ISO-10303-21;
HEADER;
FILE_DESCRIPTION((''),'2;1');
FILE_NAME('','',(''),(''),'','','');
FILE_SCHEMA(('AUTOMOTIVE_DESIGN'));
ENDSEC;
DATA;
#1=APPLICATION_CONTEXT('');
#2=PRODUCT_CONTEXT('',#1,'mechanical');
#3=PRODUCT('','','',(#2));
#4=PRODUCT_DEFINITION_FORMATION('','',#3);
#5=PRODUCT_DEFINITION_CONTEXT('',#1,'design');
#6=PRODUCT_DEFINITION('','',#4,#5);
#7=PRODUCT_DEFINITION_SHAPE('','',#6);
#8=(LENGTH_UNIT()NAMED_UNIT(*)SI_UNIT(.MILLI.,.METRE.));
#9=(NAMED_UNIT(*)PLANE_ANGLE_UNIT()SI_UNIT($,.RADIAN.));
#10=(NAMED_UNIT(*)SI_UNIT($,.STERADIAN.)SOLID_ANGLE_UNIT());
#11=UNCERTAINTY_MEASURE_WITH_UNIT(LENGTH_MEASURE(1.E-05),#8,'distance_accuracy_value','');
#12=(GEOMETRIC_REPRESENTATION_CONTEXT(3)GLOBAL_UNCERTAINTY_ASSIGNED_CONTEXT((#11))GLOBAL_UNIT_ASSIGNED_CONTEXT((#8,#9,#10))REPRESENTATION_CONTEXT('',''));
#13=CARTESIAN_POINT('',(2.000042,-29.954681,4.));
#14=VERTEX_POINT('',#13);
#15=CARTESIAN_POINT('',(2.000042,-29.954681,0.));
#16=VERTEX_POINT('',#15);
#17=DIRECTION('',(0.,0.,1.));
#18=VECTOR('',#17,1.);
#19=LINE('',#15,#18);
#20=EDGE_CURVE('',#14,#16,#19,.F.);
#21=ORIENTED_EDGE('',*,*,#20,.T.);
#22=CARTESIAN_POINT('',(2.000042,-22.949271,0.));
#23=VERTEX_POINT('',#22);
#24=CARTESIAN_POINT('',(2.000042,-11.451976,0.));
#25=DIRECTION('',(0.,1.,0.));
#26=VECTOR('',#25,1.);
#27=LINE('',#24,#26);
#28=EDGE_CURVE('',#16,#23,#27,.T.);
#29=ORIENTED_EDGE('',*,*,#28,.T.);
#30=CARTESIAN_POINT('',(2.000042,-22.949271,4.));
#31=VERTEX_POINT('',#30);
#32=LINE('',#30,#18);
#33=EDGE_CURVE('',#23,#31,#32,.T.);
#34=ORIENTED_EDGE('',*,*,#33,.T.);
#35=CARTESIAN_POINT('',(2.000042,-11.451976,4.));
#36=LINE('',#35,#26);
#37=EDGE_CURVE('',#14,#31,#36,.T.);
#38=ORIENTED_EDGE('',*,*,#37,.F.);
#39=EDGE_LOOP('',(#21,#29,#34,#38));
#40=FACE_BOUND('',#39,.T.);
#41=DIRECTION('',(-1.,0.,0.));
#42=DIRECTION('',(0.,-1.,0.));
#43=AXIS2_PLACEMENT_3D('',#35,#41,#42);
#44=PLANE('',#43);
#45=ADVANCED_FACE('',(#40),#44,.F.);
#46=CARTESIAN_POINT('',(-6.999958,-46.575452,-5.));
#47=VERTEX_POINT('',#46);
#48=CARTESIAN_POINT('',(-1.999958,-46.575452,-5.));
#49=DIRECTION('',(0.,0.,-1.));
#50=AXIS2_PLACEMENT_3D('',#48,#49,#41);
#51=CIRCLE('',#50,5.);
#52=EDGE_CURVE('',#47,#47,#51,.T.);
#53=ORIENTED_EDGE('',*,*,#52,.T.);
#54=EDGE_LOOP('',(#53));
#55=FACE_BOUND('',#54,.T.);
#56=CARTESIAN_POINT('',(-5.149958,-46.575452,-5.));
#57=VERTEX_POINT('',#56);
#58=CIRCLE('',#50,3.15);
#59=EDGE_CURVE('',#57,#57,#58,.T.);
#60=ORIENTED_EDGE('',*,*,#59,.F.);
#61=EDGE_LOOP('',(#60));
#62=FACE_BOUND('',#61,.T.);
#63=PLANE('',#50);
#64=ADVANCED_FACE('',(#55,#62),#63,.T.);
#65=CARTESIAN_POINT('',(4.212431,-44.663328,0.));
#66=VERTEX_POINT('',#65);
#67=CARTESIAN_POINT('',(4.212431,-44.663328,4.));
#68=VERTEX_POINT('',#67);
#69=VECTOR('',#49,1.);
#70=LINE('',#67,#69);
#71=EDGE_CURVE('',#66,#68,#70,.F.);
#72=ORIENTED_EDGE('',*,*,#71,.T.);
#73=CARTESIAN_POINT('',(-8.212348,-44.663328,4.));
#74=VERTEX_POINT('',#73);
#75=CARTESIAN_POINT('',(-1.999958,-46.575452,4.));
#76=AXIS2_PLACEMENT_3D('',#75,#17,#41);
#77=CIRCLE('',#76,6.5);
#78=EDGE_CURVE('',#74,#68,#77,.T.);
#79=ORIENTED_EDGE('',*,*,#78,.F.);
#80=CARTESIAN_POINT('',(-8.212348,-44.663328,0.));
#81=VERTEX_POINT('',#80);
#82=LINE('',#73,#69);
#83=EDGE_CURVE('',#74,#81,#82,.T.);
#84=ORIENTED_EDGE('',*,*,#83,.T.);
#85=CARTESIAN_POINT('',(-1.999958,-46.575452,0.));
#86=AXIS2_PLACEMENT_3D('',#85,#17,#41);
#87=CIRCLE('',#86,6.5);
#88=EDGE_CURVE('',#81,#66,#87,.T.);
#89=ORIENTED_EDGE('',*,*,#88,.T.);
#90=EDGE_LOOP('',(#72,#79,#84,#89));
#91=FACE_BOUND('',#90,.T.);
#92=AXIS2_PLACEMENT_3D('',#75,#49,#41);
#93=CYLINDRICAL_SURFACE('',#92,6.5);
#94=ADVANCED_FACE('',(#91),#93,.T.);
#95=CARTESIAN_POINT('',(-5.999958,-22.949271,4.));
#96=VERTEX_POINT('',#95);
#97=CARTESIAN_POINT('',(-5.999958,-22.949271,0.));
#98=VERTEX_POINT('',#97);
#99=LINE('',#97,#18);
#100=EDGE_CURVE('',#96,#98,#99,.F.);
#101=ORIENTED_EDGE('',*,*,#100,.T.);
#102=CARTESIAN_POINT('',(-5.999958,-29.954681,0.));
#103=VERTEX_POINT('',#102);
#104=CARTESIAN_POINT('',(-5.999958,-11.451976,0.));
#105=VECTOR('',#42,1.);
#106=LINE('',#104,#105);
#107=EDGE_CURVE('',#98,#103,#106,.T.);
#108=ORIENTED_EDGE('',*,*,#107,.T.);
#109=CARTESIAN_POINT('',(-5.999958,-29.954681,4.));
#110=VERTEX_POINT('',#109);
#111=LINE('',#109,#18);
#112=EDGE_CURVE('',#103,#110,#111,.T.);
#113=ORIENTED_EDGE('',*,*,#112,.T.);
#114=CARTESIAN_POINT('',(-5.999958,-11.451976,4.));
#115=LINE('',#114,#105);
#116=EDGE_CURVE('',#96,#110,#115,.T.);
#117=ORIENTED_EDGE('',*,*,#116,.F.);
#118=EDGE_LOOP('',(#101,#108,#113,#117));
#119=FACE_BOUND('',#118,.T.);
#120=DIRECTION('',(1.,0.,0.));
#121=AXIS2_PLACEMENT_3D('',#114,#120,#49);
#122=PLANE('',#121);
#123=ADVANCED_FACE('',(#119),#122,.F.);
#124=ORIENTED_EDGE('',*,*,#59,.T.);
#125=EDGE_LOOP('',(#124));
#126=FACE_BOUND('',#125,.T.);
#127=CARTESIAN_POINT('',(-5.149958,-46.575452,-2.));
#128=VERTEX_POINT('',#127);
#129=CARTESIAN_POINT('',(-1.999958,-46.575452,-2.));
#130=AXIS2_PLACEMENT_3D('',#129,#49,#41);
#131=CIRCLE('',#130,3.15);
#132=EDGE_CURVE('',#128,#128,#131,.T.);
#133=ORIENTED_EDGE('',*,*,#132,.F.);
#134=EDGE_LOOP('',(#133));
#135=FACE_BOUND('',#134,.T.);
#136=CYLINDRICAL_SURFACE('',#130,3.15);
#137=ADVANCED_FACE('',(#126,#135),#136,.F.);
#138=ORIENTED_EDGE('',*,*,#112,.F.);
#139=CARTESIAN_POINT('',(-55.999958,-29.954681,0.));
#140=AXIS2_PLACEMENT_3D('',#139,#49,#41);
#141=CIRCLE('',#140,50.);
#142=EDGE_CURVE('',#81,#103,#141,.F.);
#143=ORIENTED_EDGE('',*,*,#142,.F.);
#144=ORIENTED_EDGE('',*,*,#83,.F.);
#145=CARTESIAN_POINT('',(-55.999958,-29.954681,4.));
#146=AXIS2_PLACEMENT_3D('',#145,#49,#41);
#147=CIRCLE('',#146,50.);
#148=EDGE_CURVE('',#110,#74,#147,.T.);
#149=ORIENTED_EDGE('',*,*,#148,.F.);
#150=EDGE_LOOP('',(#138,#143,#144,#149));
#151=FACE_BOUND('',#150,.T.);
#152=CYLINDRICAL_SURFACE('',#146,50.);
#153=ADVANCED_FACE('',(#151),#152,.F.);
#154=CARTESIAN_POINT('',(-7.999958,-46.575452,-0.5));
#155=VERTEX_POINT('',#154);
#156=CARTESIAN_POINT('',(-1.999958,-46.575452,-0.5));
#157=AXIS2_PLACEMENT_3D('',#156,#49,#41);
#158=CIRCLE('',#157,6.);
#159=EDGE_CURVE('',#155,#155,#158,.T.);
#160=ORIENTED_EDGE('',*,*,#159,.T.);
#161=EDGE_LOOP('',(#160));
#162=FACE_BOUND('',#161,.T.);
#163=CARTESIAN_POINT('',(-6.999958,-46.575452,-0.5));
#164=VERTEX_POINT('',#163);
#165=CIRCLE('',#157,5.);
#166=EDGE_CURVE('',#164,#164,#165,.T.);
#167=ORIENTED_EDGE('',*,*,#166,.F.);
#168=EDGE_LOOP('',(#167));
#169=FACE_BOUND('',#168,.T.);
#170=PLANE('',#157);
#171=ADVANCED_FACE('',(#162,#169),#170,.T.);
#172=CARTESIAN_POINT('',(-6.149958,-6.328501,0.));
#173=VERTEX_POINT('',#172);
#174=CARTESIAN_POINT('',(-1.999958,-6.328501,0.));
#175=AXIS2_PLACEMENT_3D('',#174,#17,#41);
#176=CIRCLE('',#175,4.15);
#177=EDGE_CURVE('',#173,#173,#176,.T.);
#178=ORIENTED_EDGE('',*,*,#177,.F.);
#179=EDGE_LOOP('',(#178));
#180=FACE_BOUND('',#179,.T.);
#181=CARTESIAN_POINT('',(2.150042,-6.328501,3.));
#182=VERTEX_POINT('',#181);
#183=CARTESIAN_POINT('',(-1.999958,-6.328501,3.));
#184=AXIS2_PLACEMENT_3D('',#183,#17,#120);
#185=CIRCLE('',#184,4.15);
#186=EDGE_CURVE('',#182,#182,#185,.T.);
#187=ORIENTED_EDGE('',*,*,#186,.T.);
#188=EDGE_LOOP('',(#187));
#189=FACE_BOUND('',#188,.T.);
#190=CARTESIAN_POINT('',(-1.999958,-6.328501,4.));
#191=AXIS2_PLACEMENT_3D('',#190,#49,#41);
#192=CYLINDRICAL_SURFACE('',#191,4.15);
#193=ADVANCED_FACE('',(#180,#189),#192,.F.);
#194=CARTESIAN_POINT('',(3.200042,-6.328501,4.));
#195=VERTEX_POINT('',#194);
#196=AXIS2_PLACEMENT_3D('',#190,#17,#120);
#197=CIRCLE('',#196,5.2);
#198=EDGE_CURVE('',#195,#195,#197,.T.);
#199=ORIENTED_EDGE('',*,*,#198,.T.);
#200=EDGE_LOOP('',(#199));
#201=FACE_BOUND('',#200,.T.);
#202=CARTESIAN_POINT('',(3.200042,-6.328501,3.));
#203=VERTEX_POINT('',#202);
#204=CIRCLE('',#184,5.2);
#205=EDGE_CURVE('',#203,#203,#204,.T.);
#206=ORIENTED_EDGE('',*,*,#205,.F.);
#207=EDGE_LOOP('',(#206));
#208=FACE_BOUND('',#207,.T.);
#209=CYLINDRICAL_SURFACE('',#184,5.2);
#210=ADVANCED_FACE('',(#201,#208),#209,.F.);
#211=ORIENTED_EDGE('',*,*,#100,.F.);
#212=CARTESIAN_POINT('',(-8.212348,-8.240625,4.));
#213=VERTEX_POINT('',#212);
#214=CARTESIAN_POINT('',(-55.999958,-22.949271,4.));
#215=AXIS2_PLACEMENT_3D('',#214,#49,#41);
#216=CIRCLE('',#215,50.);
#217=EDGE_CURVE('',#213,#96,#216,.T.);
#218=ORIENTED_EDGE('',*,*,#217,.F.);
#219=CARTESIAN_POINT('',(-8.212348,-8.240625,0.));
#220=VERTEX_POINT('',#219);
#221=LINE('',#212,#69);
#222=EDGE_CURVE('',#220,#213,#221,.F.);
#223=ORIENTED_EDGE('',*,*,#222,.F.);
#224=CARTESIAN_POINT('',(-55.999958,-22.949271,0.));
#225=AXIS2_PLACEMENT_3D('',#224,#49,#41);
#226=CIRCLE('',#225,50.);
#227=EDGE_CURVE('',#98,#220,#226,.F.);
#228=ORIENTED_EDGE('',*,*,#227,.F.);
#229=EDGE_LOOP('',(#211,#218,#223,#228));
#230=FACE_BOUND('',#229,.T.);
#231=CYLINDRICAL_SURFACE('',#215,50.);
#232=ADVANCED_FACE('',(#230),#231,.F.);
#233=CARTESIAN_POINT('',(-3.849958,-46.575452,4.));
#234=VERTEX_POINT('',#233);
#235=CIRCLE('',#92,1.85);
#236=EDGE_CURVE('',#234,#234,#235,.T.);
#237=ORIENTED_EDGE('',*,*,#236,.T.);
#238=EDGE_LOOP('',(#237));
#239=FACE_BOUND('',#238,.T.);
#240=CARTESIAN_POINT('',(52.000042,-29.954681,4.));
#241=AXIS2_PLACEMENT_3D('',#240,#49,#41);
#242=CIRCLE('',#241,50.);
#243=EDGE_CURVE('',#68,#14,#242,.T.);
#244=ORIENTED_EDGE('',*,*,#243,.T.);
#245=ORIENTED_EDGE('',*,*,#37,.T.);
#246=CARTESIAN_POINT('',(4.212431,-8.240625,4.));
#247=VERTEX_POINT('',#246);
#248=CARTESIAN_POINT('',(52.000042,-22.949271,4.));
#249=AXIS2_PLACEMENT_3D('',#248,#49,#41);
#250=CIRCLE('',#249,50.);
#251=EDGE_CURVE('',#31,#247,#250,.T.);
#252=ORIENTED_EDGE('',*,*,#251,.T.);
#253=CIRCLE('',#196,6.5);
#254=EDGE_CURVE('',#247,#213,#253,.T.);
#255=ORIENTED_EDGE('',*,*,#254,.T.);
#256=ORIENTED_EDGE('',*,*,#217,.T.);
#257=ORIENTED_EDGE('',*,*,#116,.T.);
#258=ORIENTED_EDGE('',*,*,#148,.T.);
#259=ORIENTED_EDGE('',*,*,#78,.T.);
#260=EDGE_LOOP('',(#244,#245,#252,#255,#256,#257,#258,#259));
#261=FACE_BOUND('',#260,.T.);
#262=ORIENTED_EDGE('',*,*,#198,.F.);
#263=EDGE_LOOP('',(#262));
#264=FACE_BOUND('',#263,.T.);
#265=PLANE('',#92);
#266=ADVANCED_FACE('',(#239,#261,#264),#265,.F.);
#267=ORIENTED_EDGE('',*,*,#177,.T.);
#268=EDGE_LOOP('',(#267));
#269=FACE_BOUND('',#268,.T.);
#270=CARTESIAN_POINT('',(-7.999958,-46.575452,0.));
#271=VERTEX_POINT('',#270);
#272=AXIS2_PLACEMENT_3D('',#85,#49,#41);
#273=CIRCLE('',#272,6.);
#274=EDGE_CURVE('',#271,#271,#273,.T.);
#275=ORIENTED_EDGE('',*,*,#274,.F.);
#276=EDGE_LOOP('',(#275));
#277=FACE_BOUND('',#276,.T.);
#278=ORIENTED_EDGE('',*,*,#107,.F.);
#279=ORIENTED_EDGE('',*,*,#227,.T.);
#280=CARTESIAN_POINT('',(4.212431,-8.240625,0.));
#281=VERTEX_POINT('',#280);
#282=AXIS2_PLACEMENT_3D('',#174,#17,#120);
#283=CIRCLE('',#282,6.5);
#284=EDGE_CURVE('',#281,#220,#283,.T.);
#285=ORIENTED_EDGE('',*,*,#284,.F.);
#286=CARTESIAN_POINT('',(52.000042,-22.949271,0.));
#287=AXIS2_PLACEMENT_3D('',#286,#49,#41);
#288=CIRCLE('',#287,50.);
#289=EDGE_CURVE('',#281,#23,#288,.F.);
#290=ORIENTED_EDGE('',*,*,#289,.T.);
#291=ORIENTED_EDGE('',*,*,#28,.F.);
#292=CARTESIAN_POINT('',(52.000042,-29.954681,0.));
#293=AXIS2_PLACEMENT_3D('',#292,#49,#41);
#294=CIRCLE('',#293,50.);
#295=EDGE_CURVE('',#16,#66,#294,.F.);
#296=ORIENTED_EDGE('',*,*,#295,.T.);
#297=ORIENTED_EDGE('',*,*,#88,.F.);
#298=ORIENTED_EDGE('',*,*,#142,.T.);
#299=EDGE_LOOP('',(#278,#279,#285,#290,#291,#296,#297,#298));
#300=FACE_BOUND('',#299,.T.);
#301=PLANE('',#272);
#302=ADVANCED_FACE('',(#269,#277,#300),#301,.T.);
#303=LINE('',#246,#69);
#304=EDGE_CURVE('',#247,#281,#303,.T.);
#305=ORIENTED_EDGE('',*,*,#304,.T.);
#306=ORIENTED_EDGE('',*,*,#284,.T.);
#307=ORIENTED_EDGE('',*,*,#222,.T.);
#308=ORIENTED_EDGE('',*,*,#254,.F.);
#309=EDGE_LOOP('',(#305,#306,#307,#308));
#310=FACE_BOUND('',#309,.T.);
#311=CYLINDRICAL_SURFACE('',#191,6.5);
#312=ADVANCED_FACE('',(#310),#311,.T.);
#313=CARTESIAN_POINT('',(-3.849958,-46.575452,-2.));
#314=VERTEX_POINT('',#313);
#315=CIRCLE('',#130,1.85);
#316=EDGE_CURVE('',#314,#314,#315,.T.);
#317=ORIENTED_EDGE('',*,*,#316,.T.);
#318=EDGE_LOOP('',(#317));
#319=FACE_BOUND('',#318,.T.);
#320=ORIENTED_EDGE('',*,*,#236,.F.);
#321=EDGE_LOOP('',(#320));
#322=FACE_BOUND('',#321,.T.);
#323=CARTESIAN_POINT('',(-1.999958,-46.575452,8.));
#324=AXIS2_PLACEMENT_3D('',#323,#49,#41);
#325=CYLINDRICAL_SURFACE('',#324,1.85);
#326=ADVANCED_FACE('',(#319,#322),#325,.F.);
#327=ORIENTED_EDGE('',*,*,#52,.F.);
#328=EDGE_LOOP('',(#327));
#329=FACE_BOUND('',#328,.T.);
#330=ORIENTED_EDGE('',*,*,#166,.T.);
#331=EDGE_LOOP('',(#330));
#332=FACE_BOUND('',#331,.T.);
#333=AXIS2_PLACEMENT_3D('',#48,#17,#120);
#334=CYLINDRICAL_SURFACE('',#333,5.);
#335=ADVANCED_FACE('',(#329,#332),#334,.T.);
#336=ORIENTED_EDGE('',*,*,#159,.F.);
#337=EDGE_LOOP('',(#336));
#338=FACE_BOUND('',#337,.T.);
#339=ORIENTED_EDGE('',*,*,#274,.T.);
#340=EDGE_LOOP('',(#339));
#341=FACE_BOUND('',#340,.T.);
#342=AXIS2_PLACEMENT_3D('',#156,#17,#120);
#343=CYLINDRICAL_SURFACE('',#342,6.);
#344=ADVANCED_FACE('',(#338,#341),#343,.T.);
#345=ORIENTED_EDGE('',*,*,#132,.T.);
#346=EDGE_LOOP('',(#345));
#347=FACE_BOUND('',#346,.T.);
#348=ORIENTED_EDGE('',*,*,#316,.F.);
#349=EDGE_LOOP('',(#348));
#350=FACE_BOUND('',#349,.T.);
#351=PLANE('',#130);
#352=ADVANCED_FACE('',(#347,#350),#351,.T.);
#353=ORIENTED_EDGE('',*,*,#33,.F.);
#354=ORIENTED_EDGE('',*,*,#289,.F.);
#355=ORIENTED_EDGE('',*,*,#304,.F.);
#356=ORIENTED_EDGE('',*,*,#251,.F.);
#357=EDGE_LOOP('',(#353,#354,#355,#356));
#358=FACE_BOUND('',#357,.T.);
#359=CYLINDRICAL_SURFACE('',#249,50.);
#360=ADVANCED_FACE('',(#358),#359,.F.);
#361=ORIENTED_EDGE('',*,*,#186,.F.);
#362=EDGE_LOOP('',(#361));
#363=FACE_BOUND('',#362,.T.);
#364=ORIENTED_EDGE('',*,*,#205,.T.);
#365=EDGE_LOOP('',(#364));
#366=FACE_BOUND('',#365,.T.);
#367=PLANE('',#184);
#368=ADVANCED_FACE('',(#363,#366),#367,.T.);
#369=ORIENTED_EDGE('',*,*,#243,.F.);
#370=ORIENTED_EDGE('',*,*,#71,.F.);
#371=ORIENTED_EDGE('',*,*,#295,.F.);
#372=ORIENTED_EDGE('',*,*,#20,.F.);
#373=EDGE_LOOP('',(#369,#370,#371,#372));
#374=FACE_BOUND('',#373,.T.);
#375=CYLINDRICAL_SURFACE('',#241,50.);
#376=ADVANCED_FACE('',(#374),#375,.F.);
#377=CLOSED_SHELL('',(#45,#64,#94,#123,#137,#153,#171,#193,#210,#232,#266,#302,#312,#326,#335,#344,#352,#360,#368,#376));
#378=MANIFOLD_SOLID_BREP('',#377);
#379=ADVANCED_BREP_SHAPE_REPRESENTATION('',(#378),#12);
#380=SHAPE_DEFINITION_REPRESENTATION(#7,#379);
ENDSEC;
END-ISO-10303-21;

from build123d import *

# Parameters (mm, degrees)
SKETCH_1_R          = 4.15
EXTRUDE_1_DEPTH     = 4
FILLET_1_R          = 50
SKETCH_4_R          = 5
EXTRUDE_2_DEPTH     = 5
SKETCH_5_R          = 6
EXTRUDE_3_DEPTH     = 0.5
SKETCH_6_R          = 3.15
CUT_EXTRUDE_2_DEPTH = 3
SKETCH_7_R          = 1.85
CUT_EXTRUDE_3_DEPTH = 10
SKETCH_8_R          = 5.2
CUT_EXTRUDE_4_DEPTH = 1


with BuildPart() as part:
    # 草图1 → 凸台-拉伸1 (new body)
    with BuildSketch(Plane.XY):
        with BuildLine():
            Line((-5.999958142, -11.451976213), (-5.999958142, -41.451976213))
            ThreePointArc((-5.999958142, -41.451976213), (-1.999958142, -53.075451596), (2.000041858, -41.451976213))
            Line((2.000041858, -41.451976213), (2.000041858, -11.451976213))
            ThreePointArc((2.000041858, -11.451976213), (-1.999958142, 0.17149917), (-5.999958142, -11.451976213))
        make_face()
        with Locations(Location((-1.999958142, -6.32850083, 0), (0, 0, 180))):
            Circle(SKETCH_1_R, mode=Mode.SUBTRACT)
    extrude(amount=EXTRUDE_1_DEPTH)

    # 圆角1
    fillet_1_edges = [part.edges().sort_by_distance(p)[0] for p in [
        (-5.999958142, -41.451976213, 2),
        (-5.999958142, -11.451976213, 2),
        (2.000041858, -11.451976213, 2),
        (2.000041858, -41.451976213, 2),
    ]]
    fillet(fillet_1_edges, radius=FILLET_1_R)

    # 草图4 → 凸台-拉伸2 (add)
    with BuildSketch(Plane(origin=(0, 0, 0), x_dir=(-1, 0, 0), z_dir=(0, 0, -1))):
        with Locations((1.999958142, -46.575451596)):
            Circle(SKETCH_4_R)
    extrude(amount=EXTRUDE_2_DEPTH)

    # 草图5 → 凸台-拉伸3 (add)
    with BuildSketch(Plane(origin=(0, 0, 0), x_dir=(-1, 0, 0), z_dir=(0, 0, -1))):
        with Locations((1.999958142, -46.575451596)):
            Circle(SKETCH_5_R)
    extrude(amount=EXTRUDE_3_DEPTH)

    # 草图6 → 切除-拉伸2 (cut)
    with BuildSketch(Plane(origin=(0, 0, -5), x_dir=(-1, 0, 0), z_dir=(0, 0, -1))):
        with Locations((1.999958142, -46.575451596)):
            Circle(SKETCH_6_R)
    extrude(amount=-CUT_EXTRUDE_2_DEPTH, mode=Mode.SUBTRACT)

    # 草图7 → 切除-拉伸3 (cut)
    with BuildSketch(Plane(origin=(0, 0, -2), x_dir=(-1, 0, 0), z_dir=(0, 0, -1))):
        with Locations((1.999958142, -46.575451596)):
            Circle(SKETCH_7_R)
    extrude(amount=-CUT_EXTRUDE_3_DEPTH, mode=Mode.SUBTRACT)

    # 草图8 → 切除-拉伸4 (cut)
    with BuildSketch(Plane.XY.offset(4)):
        with Locations((-1.999958142, -6.32850083)):
            Circle(SKETCH_8_R)
    extrude(amount=-CUT_EXTRUDE_4_DEPTH, mode=Mode.SUBTRACT)


solid = part.part
